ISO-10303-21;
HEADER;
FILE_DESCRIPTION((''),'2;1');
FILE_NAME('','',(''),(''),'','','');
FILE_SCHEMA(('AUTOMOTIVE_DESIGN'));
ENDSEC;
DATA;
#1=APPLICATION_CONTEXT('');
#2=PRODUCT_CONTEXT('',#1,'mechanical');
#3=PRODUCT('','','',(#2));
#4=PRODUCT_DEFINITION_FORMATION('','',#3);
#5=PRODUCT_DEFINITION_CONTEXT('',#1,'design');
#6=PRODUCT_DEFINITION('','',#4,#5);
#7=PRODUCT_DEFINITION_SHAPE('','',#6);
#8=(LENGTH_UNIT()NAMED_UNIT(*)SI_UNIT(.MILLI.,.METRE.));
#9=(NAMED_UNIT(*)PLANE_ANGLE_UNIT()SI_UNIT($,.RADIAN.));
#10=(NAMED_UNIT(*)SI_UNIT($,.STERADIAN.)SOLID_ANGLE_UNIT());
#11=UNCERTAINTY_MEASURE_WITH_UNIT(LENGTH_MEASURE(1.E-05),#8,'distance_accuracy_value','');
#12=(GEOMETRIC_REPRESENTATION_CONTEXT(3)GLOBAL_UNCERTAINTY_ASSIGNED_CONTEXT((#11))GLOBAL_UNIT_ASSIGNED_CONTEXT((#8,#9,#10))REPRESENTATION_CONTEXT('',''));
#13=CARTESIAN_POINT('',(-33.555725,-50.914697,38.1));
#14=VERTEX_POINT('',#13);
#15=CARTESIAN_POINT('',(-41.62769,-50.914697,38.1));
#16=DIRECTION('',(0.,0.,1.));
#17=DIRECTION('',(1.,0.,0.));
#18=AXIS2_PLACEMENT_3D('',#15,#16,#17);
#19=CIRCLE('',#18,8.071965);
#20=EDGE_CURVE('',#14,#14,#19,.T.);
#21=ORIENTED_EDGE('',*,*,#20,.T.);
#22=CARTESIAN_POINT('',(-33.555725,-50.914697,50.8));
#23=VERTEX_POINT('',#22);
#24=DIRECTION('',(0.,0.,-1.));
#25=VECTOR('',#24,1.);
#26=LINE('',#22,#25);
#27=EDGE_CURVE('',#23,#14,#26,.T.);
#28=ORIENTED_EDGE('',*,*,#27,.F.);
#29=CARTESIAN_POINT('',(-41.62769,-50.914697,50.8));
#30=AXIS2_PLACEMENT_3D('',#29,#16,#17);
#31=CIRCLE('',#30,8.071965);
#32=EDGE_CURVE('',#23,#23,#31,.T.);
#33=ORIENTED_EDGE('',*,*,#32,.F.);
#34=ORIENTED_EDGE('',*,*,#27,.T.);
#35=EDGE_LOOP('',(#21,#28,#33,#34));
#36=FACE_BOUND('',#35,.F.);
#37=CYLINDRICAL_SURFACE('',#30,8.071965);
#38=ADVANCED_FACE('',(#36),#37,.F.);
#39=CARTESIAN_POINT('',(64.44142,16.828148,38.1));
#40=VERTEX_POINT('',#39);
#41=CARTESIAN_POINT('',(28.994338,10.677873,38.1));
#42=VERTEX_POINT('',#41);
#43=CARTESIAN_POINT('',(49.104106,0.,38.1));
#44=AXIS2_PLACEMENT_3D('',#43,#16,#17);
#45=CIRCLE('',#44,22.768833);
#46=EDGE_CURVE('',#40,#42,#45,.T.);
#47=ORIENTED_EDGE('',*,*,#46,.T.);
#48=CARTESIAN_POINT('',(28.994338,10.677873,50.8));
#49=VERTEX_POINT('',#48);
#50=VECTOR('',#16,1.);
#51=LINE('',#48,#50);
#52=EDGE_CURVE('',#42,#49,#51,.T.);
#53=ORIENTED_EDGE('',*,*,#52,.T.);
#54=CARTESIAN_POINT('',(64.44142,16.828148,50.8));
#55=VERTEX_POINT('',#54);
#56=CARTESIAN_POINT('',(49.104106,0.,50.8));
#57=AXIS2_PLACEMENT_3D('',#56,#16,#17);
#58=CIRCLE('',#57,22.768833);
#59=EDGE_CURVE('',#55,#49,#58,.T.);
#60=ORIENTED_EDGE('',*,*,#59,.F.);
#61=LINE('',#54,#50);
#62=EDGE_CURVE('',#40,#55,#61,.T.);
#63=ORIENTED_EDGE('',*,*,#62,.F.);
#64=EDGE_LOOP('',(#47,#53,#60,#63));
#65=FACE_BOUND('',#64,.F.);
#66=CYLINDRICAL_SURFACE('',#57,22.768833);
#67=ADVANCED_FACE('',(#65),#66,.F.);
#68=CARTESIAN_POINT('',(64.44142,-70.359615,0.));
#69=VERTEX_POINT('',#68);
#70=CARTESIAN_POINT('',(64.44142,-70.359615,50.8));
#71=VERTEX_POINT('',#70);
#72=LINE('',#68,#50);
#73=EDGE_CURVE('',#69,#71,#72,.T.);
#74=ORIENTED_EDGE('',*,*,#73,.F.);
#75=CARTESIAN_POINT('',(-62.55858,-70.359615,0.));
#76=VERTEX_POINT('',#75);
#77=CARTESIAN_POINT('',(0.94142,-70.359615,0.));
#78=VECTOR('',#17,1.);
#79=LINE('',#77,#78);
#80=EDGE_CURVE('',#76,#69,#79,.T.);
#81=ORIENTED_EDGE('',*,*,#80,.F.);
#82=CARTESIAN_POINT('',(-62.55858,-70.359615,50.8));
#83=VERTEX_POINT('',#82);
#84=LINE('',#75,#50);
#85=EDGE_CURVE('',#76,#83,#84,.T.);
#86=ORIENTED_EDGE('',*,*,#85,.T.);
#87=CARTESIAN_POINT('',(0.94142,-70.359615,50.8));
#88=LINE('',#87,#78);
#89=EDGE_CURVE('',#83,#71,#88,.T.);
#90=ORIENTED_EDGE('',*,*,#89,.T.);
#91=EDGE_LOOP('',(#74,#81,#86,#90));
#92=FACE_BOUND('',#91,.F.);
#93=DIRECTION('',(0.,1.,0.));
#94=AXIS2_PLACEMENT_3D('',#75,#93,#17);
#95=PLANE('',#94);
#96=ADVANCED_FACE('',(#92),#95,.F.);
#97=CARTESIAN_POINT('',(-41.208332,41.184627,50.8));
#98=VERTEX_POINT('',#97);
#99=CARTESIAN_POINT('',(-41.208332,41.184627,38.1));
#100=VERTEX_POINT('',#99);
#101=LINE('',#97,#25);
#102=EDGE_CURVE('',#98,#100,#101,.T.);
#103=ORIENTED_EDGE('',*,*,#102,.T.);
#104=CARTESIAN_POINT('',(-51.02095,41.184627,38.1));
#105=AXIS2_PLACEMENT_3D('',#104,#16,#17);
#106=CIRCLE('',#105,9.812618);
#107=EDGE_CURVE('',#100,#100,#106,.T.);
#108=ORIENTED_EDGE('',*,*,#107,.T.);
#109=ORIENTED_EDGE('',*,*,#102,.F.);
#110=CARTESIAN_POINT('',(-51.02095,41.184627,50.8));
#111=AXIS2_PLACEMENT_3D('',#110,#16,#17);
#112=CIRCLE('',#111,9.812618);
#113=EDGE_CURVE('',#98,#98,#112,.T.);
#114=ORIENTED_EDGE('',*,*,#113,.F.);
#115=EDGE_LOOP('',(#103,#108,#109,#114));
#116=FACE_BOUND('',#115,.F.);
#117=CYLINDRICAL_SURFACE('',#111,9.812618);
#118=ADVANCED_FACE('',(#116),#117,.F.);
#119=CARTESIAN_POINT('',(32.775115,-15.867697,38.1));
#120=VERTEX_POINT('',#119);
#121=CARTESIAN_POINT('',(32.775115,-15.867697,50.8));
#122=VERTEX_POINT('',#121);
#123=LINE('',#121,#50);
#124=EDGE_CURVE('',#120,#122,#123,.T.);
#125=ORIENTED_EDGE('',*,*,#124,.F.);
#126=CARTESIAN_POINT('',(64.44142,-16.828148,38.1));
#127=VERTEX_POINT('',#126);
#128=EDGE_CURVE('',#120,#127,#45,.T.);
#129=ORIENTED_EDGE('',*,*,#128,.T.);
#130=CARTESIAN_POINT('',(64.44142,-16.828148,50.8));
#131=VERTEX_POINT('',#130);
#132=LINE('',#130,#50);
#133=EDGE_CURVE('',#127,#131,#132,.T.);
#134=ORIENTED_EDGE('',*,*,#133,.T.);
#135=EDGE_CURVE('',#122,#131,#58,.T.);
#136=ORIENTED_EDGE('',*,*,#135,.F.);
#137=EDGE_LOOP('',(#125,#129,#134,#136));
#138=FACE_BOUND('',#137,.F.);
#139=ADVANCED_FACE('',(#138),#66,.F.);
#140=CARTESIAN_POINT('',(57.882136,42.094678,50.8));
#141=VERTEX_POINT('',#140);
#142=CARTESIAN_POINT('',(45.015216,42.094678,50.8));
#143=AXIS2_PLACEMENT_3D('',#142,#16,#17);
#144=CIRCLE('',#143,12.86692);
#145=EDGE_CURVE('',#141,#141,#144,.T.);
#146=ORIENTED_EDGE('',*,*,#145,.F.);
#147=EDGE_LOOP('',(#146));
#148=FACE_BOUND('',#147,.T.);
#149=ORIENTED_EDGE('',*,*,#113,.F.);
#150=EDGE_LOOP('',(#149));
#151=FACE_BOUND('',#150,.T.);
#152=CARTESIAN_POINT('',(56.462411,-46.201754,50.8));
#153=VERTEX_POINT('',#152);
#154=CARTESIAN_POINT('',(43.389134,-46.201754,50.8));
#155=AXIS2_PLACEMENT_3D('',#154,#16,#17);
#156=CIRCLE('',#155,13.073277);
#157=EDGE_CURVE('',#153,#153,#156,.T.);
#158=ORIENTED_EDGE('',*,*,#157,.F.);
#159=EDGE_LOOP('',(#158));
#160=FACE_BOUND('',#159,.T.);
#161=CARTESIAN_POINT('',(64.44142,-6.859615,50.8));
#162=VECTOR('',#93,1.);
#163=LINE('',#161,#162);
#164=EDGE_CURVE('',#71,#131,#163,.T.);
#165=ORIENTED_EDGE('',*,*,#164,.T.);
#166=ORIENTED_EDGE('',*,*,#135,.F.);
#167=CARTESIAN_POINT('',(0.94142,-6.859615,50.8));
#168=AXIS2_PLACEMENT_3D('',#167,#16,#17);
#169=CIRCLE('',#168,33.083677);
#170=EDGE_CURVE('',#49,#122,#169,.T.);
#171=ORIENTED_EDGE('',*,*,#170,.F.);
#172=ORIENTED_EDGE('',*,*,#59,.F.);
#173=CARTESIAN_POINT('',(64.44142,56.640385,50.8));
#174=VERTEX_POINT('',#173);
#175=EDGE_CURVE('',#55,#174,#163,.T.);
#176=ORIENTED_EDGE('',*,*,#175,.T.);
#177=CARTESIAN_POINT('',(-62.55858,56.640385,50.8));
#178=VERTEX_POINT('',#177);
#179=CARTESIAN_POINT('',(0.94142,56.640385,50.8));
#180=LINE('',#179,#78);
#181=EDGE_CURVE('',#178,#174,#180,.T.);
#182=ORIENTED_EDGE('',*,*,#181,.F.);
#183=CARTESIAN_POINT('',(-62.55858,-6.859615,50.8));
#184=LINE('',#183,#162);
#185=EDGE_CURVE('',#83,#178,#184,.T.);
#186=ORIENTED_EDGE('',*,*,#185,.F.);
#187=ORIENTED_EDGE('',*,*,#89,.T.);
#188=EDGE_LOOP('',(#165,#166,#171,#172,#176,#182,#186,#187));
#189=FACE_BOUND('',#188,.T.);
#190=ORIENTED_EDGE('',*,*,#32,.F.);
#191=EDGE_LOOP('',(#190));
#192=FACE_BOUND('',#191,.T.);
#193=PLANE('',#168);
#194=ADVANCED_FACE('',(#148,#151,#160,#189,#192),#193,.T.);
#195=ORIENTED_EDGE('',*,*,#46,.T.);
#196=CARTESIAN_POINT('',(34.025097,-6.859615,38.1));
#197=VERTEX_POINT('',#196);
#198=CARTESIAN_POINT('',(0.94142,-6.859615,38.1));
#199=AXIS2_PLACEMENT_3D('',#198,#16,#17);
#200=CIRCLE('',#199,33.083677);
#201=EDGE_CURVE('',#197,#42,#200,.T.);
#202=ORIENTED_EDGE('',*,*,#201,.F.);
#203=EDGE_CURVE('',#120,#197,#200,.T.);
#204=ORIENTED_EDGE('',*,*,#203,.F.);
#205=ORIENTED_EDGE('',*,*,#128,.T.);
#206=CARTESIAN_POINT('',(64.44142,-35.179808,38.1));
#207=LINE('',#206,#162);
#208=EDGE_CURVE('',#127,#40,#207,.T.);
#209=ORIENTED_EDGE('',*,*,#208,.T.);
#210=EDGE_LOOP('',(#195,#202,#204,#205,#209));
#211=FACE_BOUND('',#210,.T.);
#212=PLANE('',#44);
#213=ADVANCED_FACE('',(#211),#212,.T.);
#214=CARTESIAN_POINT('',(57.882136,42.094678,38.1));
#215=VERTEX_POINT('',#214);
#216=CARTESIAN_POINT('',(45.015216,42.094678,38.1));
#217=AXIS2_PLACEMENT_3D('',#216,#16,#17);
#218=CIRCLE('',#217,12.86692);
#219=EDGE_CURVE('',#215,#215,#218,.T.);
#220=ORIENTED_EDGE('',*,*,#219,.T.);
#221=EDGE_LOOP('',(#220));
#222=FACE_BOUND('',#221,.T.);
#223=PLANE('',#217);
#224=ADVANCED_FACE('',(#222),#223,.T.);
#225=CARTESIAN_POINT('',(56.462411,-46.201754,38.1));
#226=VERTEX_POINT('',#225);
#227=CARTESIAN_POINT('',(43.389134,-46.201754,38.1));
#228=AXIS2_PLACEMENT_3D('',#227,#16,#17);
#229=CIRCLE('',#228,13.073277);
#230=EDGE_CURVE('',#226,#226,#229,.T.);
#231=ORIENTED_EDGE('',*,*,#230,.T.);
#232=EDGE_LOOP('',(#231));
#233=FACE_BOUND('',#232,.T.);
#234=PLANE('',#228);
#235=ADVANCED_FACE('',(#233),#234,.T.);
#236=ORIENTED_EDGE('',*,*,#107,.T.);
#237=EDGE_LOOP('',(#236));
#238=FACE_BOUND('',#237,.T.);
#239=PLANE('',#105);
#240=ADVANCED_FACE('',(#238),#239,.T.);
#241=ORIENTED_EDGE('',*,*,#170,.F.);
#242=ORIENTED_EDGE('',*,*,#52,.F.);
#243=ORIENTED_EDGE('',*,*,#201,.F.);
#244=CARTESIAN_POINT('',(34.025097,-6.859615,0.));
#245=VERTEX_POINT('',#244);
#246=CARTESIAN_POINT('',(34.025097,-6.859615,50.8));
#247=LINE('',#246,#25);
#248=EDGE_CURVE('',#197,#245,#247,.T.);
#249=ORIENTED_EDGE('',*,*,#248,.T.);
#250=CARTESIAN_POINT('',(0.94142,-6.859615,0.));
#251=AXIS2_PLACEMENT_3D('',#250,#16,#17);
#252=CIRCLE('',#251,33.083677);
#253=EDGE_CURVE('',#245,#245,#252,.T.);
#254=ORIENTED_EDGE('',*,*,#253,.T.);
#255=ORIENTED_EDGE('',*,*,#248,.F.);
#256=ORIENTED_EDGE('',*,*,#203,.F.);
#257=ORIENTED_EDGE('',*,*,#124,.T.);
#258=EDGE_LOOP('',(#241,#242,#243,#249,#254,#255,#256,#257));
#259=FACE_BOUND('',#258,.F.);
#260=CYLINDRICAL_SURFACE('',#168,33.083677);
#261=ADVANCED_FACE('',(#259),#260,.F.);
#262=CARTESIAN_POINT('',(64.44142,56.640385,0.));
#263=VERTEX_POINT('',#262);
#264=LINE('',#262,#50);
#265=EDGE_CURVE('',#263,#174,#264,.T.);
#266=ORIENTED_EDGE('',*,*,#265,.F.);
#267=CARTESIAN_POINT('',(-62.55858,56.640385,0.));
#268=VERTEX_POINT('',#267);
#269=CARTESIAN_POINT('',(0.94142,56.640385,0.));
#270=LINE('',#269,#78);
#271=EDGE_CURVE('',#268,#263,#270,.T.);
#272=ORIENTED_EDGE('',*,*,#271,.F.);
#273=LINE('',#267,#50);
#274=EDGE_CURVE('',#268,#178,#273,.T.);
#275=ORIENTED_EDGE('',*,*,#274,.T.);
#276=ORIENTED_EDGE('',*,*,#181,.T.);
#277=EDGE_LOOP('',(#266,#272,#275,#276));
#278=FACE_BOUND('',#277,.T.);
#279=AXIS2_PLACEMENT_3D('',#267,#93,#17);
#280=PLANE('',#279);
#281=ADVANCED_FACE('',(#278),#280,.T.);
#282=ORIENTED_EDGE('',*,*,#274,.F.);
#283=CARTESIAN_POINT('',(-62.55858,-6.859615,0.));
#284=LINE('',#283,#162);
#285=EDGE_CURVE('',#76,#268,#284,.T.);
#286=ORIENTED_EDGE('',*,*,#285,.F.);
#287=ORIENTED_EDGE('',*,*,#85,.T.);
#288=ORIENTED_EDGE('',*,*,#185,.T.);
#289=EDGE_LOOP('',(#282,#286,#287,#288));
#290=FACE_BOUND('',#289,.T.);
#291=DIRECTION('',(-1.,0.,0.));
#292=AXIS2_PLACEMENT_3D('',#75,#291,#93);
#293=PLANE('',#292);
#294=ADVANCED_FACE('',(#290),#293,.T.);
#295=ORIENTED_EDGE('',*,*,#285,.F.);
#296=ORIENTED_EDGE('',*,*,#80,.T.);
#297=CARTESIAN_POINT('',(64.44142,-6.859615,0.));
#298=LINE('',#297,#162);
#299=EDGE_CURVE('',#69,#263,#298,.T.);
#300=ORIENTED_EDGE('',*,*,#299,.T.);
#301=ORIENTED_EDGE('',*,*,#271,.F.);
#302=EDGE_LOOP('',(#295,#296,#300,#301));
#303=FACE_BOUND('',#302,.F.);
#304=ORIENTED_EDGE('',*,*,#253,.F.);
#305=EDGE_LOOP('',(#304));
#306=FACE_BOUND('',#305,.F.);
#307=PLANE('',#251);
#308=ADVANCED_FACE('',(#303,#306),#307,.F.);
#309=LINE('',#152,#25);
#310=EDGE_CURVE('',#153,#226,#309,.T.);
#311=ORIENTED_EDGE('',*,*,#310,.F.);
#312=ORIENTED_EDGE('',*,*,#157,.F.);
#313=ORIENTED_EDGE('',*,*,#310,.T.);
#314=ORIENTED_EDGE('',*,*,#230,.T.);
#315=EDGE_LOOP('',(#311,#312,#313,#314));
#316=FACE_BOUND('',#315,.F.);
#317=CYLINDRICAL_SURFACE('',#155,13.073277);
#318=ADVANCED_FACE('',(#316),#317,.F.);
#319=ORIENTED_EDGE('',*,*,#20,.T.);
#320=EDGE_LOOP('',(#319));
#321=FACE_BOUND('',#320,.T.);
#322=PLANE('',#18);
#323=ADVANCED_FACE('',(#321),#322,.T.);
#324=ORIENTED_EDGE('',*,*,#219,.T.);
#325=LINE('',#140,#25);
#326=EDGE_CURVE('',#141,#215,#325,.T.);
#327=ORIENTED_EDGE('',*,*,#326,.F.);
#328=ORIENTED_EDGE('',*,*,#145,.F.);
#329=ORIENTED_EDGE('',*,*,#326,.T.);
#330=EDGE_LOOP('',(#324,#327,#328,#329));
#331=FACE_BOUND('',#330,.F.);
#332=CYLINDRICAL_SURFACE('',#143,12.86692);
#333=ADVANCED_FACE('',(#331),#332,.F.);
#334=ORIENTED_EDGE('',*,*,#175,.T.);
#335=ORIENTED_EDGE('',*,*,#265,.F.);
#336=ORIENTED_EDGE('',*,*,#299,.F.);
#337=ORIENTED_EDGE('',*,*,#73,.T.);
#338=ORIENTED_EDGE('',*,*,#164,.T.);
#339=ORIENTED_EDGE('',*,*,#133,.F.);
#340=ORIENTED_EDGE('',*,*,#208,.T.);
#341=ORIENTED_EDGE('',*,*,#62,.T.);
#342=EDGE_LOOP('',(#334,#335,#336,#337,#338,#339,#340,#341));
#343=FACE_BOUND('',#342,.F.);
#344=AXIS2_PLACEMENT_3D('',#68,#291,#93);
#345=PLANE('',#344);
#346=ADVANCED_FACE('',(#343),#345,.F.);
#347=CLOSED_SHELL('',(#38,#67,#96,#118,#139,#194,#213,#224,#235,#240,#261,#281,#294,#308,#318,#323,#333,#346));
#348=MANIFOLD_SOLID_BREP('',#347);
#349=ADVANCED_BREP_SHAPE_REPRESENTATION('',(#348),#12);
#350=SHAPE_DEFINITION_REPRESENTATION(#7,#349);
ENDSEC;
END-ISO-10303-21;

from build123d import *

# Parameters (mm, degrees)
F0_W     = 127
F0_H     = 127
F1_DEPTH = 50.8
F2_R     = 33.083677
F3_DEPTH = 50.801
F4_R     = 9.812618
F4_R_2   = 12.86692
F4_R_3   = 8.071965
F4_R_4   = 13.073277
F4_R_5   = 22.768833
F5_DEPTH = 12.7


with BuildPart() as f1:
    # F0 (on Top) → F1 (new body)
    with BuildSketch(Plane.XY):
        with Locations((0.94142, -6.859615)):
            Rectangle(F0_W, F0_H)
    extrude(amount=F1_DEPTH)

    # F2 (on face) → F3 (cut, through all)
    with BuildSketch(Plane.XY.offset(50.8)):
        with Locations((0.94142, -6.859615)):
            Circle(F2_R)
    extrude(amount=-F3_DEPTH, mode=Mode.SUBTRACT)

    # F4 (on face) → F5 (cut)
    with BuildSketch(Plane.XY.offset(50.8)):
        with Locations((-51.02095, 41.184627)):
            Circle(F4_R)
        with Locations((45.015216, 42.094678)):
            Circle(F4_R_2)
        with Locations((-41.62769, -50.914697)):
            Circle(F4_R_3)
        with Locations((43.389134, -46.201754)):
            Circle(F4_R_4)
        with Locations((49.104106, 0)):
            Circle(F4_R_5)
    extrude(amount=-F5_DEPTH, mode=Mode.SUBTRACT)


solid = f1.part
